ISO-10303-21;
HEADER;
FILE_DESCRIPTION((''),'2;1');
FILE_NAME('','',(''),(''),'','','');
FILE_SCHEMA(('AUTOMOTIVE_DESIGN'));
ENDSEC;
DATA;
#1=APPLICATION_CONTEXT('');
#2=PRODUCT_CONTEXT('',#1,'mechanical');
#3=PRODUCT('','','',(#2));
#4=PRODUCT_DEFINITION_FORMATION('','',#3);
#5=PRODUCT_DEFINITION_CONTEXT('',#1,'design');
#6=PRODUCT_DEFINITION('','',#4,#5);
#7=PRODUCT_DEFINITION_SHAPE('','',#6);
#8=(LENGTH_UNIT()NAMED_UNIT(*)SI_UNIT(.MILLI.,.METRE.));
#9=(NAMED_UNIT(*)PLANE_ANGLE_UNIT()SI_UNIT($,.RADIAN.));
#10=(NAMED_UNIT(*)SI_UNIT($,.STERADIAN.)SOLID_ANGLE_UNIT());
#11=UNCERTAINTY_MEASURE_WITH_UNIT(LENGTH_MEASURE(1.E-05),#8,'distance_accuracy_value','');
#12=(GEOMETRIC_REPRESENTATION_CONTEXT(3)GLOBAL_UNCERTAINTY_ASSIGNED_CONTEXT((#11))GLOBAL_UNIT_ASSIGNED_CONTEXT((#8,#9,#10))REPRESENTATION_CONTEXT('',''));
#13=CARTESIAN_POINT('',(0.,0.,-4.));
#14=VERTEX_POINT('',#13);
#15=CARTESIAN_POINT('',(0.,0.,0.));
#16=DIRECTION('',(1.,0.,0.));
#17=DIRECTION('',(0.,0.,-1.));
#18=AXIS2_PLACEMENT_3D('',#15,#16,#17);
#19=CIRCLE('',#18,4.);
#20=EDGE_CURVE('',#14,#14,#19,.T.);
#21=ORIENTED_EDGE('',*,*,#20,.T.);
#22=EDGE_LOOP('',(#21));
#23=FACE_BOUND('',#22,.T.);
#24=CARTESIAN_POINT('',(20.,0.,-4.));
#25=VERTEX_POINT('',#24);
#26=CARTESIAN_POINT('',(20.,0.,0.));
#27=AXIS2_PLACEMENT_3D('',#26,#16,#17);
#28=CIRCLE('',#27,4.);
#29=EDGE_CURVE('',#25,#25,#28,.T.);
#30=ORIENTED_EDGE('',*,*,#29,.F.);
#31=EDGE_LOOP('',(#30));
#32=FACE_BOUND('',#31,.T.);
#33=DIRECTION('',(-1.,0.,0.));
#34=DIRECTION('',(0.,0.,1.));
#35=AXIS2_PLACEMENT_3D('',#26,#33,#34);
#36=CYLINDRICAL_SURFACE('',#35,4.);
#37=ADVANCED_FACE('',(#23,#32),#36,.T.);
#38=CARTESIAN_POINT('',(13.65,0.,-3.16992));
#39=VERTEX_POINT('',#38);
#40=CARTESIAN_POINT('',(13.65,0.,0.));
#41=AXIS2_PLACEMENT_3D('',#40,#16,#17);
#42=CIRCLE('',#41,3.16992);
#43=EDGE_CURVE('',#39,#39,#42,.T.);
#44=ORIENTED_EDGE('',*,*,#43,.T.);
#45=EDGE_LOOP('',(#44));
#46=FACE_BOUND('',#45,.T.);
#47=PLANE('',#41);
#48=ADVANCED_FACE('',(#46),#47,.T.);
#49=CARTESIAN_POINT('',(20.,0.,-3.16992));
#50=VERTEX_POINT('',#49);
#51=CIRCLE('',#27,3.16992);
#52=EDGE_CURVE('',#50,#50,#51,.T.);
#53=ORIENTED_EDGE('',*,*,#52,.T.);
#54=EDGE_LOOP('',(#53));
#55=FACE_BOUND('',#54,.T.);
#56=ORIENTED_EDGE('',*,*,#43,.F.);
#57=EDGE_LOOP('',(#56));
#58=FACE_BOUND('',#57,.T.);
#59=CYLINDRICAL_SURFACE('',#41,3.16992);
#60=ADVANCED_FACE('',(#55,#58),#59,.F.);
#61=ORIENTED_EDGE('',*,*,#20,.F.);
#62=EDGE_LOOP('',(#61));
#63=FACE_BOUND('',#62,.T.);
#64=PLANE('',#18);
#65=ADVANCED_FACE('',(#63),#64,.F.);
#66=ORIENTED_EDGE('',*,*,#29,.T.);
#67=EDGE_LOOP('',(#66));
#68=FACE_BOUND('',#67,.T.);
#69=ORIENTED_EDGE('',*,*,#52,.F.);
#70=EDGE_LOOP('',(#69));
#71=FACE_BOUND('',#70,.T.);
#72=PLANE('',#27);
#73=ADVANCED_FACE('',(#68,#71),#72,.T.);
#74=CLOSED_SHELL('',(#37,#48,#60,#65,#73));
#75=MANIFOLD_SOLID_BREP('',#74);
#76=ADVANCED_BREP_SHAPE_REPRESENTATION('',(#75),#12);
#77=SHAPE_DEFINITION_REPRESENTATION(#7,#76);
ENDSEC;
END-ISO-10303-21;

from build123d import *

# Parameters (mm, degrees)
SKETCH1_R           = 4
BOSS_EXTRUDE1_DEPTH = 20
SKETCH2_R           = 3.16992
CUT_EXTRUDE1_DEPTH  = 6.35


with BuildPart() as part:
    # Sketch1 → Boss-Extrude1 (new body)
    with BuildSketch(Plane(origin=(0, 0, 0), x_dir=(0, 0, -1), z_dir=(1, 0, 0))):
        Circle(SKETCH1_R)
    extrude(amount=BOSS_EXTRUDE1_DEPTH)

    # Sketch2 → Cut-Extrude1 (cut)
    with BuildSketch(Plane(origin=(20, 0, 0), x_dir=(0, 0, -1), z_dir=(1, 0, 0))):
        Circle(SKETCH2_R)
    extrude(amount=-CUT_EXTRUDE1_DEPTH, mode=Mode.SUBTRACT)


solid = part.part
